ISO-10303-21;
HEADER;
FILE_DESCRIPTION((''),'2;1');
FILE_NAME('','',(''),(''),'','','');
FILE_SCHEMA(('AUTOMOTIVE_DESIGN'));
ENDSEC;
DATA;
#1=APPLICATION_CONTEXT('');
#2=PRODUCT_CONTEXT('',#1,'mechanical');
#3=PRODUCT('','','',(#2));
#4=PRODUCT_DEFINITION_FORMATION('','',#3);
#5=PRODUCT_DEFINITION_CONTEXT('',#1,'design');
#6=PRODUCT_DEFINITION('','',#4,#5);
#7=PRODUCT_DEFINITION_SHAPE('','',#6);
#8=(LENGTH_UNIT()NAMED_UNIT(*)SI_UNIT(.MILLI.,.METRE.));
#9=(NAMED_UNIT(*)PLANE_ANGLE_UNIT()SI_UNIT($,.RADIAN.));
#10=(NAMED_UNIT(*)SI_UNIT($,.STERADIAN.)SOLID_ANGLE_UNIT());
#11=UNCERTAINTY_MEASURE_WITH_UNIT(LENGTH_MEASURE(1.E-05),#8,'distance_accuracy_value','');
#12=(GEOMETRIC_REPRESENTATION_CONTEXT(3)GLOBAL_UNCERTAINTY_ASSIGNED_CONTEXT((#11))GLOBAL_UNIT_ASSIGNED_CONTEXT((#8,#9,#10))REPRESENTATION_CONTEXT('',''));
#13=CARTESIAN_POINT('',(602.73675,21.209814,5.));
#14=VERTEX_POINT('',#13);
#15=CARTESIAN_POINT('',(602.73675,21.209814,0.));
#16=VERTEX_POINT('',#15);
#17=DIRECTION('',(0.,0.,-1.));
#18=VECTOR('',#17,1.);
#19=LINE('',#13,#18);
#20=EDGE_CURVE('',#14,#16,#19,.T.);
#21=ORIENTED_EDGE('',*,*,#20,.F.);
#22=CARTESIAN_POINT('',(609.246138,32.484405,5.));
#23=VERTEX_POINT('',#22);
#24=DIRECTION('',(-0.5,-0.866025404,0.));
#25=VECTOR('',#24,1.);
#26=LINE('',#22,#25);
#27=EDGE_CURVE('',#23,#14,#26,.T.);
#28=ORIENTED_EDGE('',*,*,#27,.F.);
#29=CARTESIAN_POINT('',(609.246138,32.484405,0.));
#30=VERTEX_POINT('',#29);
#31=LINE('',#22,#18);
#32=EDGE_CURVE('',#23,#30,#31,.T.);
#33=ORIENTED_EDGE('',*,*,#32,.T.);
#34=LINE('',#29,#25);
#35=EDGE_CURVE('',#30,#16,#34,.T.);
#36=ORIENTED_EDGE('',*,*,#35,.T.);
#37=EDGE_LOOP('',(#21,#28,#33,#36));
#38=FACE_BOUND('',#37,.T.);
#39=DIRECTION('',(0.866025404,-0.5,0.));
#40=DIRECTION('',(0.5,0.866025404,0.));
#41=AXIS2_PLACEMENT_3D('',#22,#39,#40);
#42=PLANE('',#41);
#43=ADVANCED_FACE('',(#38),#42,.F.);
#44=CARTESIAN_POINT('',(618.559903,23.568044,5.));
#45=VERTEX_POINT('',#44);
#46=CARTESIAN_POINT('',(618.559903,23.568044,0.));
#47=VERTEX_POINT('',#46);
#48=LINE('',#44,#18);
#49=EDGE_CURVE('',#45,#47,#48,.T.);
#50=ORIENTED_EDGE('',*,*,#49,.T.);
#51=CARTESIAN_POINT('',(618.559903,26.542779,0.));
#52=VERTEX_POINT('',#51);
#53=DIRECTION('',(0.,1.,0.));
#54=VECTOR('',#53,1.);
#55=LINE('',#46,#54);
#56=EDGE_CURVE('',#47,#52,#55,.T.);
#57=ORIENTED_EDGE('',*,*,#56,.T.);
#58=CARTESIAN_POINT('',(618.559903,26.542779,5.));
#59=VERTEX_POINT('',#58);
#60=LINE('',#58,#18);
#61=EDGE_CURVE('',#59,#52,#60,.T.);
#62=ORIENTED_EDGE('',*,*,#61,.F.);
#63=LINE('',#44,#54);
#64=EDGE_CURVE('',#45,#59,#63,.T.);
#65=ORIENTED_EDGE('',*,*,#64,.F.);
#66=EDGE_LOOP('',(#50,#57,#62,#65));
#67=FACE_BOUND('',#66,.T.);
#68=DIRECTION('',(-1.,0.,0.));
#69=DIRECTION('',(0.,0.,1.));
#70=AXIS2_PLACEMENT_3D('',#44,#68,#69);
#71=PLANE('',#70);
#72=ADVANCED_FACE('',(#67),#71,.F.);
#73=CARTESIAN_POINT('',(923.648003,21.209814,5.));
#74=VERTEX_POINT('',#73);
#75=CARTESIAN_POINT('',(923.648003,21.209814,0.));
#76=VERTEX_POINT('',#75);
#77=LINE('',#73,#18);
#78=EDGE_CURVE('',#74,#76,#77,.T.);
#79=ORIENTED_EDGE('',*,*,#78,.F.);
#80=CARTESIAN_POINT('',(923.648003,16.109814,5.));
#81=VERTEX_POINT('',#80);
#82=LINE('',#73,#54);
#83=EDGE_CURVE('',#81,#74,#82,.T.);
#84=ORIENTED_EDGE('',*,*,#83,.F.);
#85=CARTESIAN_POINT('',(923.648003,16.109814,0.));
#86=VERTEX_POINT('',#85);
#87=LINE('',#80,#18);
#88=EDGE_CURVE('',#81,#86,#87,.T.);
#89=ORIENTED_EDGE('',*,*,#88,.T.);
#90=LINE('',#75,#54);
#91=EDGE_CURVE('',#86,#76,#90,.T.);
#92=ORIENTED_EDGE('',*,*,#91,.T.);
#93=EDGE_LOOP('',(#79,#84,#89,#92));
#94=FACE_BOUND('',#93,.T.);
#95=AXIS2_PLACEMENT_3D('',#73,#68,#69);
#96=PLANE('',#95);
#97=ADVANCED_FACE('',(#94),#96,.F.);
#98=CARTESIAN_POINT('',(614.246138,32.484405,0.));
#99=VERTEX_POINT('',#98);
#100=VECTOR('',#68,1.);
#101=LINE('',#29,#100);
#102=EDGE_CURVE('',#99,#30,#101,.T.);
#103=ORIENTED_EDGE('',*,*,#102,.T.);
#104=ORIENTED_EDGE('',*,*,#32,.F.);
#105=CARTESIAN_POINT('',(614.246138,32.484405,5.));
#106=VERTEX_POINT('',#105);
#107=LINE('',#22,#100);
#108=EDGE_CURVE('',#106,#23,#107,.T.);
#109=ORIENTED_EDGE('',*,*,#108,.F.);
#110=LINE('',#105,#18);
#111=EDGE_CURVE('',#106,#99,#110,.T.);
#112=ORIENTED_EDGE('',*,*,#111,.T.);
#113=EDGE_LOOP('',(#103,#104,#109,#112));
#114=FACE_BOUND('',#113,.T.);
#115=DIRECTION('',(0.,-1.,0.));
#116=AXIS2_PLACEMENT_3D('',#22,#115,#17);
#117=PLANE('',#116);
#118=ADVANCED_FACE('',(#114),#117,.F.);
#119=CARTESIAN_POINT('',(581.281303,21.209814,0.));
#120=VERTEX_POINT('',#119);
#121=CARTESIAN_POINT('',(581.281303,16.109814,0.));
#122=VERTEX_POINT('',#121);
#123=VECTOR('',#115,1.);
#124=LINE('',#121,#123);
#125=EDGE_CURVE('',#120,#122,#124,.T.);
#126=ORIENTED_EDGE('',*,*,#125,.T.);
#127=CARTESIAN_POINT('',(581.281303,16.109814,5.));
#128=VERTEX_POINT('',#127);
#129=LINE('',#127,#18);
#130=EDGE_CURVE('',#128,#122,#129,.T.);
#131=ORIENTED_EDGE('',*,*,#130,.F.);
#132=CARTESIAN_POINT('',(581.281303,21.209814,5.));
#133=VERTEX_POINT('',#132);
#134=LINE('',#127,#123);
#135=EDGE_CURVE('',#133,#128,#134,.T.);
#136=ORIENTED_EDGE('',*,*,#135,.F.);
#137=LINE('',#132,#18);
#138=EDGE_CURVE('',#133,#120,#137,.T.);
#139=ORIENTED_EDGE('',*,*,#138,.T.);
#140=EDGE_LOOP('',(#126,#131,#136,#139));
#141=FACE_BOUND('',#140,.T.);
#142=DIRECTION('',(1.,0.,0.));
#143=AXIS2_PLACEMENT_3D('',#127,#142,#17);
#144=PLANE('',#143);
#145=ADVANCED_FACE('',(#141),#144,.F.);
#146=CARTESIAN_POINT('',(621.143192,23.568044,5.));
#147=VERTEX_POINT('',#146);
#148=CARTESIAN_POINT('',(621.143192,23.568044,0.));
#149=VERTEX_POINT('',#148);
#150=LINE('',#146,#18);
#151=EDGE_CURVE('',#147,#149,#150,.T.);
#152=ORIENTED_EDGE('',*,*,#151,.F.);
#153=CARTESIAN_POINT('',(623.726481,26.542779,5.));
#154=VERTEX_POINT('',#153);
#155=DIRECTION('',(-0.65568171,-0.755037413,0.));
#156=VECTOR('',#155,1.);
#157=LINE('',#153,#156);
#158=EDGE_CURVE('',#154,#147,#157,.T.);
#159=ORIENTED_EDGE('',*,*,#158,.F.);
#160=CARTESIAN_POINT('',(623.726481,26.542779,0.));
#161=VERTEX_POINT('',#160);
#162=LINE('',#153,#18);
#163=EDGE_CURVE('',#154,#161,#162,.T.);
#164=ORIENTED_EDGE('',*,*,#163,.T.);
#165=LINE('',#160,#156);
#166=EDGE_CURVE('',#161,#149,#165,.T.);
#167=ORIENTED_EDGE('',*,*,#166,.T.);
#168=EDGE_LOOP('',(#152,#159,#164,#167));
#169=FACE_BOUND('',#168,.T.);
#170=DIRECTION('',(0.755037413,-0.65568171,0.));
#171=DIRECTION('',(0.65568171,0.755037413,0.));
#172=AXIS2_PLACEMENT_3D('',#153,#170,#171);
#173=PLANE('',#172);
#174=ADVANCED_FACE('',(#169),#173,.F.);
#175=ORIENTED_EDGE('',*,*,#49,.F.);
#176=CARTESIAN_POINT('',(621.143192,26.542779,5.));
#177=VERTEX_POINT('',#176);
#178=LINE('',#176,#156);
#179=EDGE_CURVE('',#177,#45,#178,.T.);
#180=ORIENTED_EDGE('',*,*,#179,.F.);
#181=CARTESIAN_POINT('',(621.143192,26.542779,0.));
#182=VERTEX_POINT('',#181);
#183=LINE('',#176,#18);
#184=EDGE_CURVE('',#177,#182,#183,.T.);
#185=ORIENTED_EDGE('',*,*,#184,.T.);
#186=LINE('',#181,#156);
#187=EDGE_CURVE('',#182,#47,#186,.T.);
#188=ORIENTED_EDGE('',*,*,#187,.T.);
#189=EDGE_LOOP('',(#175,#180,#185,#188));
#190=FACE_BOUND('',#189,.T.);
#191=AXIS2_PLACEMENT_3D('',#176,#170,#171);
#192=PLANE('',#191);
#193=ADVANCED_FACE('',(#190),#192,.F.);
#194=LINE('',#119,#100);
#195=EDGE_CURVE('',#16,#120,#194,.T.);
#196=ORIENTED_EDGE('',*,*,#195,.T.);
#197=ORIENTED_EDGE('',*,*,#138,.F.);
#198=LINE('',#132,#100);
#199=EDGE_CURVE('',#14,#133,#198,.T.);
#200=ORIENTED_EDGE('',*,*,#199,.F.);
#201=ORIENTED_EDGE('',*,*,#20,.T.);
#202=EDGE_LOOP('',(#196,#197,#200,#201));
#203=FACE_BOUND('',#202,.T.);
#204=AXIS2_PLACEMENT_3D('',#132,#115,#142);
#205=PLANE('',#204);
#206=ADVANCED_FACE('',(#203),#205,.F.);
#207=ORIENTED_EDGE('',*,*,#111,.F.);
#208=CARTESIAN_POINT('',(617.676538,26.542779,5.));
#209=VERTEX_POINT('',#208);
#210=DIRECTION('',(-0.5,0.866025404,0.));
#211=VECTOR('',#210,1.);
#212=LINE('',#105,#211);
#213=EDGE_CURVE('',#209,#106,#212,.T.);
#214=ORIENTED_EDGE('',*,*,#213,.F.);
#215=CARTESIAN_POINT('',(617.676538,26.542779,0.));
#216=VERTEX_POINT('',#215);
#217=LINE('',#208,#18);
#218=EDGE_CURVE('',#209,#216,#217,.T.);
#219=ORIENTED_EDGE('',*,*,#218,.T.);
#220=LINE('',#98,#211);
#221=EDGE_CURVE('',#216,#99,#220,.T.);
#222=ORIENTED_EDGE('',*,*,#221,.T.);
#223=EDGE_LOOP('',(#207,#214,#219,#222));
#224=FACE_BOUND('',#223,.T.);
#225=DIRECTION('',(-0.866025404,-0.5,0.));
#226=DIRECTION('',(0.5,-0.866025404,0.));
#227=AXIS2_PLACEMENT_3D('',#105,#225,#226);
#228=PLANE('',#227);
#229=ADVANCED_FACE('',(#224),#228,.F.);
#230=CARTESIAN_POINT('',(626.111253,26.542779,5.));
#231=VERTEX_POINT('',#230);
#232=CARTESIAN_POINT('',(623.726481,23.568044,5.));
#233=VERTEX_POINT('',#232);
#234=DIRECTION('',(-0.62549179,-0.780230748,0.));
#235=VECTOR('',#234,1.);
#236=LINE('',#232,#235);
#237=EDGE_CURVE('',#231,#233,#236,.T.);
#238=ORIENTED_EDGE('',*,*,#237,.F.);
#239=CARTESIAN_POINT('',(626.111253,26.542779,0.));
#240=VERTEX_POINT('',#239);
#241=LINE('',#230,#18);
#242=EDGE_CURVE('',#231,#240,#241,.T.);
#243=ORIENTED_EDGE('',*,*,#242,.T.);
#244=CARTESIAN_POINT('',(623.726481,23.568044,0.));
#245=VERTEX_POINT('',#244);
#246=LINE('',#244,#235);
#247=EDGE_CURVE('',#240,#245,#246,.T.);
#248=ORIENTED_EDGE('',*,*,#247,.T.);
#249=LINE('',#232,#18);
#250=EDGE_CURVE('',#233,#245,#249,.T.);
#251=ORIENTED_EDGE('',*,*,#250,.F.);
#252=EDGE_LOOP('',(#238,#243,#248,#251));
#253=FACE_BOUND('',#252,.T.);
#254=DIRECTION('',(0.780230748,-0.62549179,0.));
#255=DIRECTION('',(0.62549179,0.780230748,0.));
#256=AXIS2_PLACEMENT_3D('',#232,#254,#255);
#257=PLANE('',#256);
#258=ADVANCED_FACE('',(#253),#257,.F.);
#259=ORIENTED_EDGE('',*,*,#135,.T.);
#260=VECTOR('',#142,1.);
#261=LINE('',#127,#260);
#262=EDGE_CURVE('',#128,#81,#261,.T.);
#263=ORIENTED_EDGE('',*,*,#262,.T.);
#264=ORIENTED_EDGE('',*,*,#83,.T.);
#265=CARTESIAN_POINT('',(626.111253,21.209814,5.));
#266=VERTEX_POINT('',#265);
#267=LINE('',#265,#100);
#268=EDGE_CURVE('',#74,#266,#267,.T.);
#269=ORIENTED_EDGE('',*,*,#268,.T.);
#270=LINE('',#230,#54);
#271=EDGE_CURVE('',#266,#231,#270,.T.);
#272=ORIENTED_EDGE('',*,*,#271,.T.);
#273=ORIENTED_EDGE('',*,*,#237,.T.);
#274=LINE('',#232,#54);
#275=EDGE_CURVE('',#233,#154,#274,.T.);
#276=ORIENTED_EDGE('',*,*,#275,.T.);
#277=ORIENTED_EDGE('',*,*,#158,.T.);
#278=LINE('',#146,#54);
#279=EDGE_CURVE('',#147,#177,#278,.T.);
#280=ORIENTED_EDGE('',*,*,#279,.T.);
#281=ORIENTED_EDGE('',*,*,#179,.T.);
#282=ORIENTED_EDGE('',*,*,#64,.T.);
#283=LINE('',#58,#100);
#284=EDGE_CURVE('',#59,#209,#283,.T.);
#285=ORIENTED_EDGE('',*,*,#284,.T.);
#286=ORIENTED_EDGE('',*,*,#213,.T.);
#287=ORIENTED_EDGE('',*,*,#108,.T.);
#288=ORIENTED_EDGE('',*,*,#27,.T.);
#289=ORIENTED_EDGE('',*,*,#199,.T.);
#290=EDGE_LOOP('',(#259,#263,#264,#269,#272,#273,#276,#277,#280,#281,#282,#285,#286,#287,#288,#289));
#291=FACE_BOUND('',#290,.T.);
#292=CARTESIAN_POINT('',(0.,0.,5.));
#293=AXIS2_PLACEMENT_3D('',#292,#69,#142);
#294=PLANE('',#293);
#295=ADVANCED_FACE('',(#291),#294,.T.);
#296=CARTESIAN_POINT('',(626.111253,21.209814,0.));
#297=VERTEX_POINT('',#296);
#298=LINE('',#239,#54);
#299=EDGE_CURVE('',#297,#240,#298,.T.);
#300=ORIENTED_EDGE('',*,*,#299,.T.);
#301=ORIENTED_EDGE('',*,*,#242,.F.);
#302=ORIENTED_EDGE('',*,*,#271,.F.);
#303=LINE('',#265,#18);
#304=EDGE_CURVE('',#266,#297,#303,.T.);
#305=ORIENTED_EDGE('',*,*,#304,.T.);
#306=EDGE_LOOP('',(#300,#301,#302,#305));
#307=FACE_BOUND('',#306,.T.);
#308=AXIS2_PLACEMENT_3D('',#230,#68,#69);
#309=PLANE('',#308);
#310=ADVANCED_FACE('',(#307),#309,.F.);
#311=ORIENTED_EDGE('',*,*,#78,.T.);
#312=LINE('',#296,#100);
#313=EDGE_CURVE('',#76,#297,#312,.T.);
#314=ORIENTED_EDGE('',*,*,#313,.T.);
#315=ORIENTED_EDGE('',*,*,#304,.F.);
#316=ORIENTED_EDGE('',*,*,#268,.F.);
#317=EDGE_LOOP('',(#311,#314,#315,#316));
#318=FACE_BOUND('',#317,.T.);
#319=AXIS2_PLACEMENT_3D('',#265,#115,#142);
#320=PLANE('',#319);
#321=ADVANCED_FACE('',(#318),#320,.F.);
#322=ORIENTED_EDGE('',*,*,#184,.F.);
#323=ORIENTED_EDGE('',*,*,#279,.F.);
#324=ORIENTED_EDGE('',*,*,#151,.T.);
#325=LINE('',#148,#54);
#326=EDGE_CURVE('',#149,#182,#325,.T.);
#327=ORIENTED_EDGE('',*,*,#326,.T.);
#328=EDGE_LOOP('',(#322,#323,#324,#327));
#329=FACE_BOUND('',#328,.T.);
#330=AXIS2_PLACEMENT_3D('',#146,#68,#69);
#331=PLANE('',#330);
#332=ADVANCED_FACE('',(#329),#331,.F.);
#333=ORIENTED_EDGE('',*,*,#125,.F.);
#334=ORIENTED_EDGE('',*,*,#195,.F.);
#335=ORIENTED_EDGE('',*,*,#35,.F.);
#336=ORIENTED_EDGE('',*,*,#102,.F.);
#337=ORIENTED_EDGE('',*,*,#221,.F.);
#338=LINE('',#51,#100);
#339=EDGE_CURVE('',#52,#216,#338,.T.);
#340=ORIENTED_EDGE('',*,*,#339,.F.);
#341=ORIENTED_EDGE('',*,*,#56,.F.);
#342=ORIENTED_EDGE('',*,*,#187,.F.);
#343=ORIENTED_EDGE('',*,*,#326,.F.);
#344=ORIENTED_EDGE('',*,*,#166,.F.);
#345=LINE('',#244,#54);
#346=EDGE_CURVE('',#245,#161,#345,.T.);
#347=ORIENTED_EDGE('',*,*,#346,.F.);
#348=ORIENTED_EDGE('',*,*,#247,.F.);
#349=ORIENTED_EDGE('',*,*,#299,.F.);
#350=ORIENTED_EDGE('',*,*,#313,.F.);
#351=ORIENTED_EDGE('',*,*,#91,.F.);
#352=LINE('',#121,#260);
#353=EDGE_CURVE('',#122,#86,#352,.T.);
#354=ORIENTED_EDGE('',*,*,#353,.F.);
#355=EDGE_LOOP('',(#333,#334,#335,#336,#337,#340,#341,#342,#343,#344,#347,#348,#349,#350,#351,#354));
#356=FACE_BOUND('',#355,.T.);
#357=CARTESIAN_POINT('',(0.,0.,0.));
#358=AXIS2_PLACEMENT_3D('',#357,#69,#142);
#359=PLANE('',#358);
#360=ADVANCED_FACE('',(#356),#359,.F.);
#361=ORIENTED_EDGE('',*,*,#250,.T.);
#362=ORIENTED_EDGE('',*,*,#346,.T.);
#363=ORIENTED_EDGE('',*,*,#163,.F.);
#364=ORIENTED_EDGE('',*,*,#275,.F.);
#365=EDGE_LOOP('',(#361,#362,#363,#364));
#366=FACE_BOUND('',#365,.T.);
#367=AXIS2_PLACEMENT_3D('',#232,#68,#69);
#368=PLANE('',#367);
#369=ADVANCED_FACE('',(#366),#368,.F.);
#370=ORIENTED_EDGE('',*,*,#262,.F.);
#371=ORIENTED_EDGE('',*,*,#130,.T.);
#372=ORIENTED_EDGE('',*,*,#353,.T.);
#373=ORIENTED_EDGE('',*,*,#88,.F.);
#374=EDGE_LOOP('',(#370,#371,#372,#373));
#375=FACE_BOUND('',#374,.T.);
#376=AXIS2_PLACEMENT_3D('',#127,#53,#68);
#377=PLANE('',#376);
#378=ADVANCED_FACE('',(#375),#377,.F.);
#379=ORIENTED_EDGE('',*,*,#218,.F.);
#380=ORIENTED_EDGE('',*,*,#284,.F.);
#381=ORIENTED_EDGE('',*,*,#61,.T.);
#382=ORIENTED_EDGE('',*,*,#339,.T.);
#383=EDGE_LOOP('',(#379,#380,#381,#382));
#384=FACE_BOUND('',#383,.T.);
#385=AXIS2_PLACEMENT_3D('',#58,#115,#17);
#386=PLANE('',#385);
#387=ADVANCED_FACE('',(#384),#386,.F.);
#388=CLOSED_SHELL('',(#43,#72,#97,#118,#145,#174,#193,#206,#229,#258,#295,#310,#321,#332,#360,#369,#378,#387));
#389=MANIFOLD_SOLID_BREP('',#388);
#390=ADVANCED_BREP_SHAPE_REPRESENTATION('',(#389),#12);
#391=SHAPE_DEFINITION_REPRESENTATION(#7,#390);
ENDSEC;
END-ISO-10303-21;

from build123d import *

# Parameters (mm, degrees)
EXTRUDE_1_DEPTH = 5


with BuildPart() as part:
    # Model → 凸台-拉伸1 (new body)
    with BuildSketch(Plane.XY):
        Polygon((614.246138188, 32.484405329), (617.67653772, 26.54277905), (618.559903109, 26.54277905), (618.559903109, 23.568043607), (621.143191819, 26.54277905), (621.143191819, 23.568043607), (623.726480529, 26.54277905), (623.726480529, 23.568043607), (626.111252729, 26.54277905), (626.111252729, 21.209813756), (923.648003194, 21.209813756), (923.648003194, 16.109813756), (581.281303194, 16.109813756), (581.281303194, 21.209813756), (602.736749709, 21.209813756), (609.246138188, 32.484405329), align=None)
    extrude(amount=EXTRUDE_1_DEPTH)


solid = part.part
